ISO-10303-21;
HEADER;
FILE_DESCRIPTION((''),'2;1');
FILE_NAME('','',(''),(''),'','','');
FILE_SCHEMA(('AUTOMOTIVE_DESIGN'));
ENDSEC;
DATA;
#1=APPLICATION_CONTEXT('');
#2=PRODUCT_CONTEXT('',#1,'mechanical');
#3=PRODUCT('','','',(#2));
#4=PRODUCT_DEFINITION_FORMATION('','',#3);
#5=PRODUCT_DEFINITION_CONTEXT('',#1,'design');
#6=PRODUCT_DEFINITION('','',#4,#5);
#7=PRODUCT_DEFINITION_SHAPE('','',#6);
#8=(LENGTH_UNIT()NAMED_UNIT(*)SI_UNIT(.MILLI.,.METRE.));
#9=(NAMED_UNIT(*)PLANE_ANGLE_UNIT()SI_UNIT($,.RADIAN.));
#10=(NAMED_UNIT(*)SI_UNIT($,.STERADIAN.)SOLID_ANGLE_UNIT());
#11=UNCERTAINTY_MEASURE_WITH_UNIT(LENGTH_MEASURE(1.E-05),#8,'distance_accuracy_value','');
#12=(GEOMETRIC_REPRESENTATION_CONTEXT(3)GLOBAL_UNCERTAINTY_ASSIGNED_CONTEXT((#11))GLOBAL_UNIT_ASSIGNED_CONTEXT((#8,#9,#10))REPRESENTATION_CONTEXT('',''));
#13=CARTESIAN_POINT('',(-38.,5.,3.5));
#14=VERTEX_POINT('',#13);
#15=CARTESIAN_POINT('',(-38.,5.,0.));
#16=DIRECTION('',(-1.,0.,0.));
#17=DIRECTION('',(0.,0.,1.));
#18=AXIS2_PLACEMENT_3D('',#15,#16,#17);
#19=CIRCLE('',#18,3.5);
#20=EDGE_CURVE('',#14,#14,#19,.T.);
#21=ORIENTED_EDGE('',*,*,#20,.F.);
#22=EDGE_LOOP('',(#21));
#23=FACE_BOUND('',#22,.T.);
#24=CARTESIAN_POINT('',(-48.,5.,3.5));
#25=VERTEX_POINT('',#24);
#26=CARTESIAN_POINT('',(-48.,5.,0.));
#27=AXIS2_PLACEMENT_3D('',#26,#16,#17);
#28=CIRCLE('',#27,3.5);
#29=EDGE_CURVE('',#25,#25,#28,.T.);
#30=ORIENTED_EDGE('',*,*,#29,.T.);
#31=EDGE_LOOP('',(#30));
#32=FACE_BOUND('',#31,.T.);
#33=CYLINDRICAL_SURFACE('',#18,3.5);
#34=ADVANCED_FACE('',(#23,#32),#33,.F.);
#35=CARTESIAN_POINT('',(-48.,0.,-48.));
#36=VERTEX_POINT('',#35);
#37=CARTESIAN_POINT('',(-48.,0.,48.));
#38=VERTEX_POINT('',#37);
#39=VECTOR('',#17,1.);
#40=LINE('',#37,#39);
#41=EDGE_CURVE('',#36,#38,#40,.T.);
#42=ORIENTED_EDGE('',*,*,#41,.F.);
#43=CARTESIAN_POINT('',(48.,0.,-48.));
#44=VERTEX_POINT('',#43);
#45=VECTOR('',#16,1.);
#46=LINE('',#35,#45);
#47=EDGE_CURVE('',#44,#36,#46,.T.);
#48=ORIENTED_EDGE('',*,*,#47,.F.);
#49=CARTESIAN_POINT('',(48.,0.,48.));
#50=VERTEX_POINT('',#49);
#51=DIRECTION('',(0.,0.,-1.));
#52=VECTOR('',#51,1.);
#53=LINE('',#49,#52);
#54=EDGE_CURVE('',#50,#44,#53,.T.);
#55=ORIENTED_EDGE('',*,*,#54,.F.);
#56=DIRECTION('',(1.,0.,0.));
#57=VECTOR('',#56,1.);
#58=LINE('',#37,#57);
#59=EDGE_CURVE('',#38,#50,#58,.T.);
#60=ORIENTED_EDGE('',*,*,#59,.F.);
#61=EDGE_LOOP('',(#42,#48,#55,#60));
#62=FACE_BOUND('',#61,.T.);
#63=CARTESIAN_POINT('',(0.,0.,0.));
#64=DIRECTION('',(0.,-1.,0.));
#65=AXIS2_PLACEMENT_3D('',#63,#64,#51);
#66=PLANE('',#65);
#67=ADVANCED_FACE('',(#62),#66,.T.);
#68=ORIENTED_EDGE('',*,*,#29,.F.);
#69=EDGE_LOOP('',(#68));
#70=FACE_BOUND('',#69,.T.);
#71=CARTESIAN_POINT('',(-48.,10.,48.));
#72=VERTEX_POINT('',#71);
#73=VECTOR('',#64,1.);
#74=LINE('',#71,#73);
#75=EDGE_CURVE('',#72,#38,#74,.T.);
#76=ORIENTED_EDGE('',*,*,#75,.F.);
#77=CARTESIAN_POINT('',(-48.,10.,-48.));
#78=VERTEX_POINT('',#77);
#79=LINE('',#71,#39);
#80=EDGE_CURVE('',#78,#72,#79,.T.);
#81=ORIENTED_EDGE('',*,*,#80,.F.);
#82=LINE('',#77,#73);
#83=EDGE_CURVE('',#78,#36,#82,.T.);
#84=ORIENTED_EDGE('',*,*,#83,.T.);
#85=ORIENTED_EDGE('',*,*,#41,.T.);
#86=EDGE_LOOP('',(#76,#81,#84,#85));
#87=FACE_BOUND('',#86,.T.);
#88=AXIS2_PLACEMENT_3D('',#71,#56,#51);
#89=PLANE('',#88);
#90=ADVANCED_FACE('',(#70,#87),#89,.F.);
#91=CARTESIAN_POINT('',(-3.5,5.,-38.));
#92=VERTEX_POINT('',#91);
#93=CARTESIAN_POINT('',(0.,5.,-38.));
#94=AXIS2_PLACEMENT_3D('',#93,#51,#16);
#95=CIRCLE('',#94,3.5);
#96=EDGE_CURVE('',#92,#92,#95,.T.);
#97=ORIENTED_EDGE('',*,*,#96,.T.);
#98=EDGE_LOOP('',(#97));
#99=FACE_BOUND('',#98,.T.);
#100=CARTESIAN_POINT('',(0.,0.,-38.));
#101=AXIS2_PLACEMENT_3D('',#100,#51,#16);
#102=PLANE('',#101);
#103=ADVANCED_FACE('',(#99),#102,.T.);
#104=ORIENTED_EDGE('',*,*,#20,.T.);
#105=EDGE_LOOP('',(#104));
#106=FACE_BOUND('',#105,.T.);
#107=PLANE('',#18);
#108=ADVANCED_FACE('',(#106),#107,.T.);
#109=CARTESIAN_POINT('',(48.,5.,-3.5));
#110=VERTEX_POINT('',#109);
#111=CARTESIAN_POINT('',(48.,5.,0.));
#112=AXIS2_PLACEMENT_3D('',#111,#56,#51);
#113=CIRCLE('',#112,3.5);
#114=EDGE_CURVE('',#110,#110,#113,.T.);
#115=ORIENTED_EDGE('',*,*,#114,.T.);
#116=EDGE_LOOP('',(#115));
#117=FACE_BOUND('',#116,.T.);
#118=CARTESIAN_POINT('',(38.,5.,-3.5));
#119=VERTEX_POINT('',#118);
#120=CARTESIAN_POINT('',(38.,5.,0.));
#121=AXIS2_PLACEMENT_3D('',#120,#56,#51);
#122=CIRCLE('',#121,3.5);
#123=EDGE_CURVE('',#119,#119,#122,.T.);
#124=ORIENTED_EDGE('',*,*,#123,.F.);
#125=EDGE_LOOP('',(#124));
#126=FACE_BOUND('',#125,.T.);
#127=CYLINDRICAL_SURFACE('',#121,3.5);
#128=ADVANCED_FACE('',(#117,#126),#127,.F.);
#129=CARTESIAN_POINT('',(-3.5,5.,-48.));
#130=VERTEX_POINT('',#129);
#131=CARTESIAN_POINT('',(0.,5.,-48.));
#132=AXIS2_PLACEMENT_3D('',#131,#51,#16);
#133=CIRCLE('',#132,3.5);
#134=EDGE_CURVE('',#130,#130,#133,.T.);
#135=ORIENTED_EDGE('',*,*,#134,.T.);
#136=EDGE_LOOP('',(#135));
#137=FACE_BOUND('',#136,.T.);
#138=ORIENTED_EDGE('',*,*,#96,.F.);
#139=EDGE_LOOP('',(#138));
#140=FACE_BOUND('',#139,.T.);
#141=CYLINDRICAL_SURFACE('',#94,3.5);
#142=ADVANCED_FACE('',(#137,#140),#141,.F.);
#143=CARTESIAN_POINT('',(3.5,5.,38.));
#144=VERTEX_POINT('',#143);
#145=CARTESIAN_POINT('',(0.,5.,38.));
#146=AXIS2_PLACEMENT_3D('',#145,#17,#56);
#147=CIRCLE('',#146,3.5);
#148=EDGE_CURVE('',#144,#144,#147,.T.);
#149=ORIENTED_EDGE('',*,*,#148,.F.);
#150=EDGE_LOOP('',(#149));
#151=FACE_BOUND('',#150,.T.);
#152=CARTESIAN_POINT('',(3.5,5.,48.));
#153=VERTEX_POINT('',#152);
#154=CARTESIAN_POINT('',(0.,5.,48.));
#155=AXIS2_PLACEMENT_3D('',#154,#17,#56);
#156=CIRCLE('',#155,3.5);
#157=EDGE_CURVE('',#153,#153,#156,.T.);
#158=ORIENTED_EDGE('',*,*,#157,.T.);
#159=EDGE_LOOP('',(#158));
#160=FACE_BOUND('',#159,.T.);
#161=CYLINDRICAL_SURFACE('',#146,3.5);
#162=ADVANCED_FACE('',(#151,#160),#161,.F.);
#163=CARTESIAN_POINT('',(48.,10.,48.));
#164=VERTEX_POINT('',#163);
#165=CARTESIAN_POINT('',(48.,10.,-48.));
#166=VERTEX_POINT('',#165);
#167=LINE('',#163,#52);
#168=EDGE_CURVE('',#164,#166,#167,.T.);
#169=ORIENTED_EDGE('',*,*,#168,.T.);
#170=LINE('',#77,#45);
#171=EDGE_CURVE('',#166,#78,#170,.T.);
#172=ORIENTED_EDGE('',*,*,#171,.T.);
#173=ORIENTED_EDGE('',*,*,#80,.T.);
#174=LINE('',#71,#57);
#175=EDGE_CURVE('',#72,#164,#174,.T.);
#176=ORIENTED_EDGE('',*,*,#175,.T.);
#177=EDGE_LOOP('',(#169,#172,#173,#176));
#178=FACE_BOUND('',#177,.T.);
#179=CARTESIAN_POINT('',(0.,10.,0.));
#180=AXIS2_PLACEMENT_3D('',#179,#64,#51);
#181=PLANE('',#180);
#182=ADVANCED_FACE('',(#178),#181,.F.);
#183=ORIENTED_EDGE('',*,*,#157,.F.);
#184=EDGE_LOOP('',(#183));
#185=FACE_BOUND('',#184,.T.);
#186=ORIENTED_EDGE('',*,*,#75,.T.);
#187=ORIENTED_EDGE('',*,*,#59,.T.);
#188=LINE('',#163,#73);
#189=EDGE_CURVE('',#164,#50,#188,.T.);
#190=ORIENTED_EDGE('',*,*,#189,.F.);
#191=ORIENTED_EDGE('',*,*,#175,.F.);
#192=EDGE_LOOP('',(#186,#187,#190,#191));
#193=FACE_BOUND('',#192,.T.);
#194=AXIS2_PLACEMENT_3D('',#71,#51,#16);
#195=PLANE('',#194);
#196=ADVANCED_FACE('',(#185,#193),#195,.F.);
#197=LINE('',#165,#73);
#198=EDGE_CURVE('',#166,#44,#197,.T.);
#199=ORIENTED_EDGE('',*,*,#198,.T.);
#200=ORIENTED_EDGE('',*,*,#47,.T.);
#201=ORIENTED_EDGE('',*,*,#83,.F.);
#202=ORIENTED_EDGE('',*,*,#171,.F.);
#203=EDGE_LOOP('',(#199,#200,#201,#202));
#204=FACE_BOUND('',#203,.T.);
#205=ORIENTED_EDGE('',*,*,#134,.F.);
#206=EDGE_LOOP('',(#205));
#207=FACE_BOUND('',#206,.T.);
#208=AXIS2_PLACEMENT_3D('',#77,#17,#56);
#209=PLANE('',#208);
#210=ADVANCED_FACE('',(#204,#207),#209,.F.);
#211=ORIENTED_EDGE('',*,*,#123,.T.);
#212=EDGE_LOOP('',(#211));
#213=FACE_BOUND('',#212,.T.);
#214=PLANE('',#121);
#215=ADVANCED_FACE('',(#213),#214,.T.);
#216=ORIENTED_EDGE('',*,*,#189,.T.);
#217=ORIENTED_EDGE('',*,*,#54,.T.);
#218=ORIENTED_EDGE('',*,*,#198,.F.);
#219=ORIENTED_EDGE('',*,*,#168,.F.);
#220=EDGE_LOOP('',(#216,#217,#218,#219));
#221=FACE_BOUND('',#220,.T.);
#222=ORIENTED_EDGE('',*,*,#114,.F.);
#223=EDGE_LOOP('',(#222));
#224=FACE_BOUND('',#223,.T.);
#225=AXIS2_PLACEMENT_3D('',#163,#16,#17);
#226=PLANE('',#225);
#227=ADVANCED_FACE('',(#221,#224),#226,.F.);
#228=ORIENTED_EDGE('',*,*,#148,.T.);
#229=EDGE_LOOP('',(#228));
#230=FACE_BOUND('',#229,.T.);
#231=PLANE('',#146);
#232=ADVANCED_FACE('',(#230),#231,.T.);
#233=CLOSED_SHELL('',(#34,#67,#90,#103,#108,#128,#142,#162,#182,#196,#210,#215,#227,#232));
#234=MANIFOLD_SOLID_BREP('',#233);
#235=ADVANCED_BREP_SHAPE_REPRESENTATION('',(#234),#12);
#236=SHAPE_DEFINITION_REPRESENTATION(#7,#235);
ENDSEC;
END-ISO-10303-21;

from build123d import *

# Parameters (mm, degrees)
SKETCH_1_W          = 96
SKETCH_1_H          = 96
EXTRUDE_1_DEPTH     = 10
SKETCH_2_R          = 3.5
CUT_EXTRUDE_1_DEPTH = 10
SKETCH_3_R          = 3.5
CUT_EXTRUDE_2_DEPTH = 10
CUT_EXTRUDE_3_DEPTH = 10
SKETCH_5_R          = 3.5
CUT_EXTRUDE_4_DEPTH = 10


with BuildPart() as part:
    # 草图1 → 凸台-拉伸1 (new body)
    with BuildSketch(Plane(origin=(0, 0, 0), x_dir=(1, 0, 0), z_dir=(0, 1, 0))):
        Rectangle(SKETCH_1_W, SKETCH_1_H)
    extrude(amount=EXTRUDE_1_DEPTH)

    # 草图2 → 切除-拉伸1 (cut)
    with BuildSketch(Plane.XY.offset(48)):
        with Locations((0, 5)):
            Circle(SKETCH_2_R)
    extrude(amount=-CUT_EXTRUDE_1_DEPTH, mode=Mode.SUBTRACT)

    # 草图3 → 切除-拉伸2 (cut)
    with BuildSketch(Plane(origin=(48, 0, 0), x_dir=(0, 0, -1), z_dir=(1, 0, 0))):
        with Locations((0, 5)):
            Circle(SKETCH_3_R)
    extrude(amount=-CUT_EXTRUDE_2_DEPTH, mode=Mode.SUBTRACT)

    # 草图4 → 切除-拉伸3 (cut)
    with BuildSketch(Plane(origin=(0, 0, -48), x_dir=(-1, 0, 0), z_dir=(0, 0, -1))):
        with BuildLine():
            ThreePointArc((3.481164431, 5.362621295), (0, 8.5), (-3.481164431, 5.362621295))
            Line((-3.481164431, 5.362621295), (0, 5))
            Line((0, 5), (3.481164431, 5.362621295))
        make_face()
        with BuildLine():
            Line((0, 5), (-3.481164431, 5.362621295))
            ThreePointArc((-3.481164431, 5.362621295), (-3.5, 5), (-3.481164431, 4.637378705))
            Line((-3.481164431, 4.637378705), (0, 5))
        make_face()
        with BuildLine():
            Line((3.481164431, 5.362621295), (0, 5))
            Line((0, 5), (3.481164431, 4.637378705))
            ThreePointArc((3.481164431, 4.637378705), (3.495287936, 4.818444924), (3.5, 5))
            ThreePointArc((3.5, 5), (3.495287936, 5.181555076), (3.481164431, 5.362621295))
        make_face()
        with BuildLine():
            Line((3.481164431, 4.637378705), (0, 5))
            Line((0, 5), (-3.481164431, 4.637378705))
            ThreePointArc((-3.481164431, 4.637378705), (0, 1.5), (3.481164431, 4.637378705))
        make_face()
    extrude(amount=-CUT_EXTRUDE_3_DEPTH, mode=Mode.SUBTRACT)

    # 草图5 → 切除-拉伸4 (cut)
    with BuildSketch(Plane.ZY.offset(48)):
        with Locations((0, 5)):
            Circle(SKETCH_5_R)
    extrude(amount=-CUT_EXTRUDE_4_DEPTH, mode=Mode.SUBTRACT)


solid = part.part
